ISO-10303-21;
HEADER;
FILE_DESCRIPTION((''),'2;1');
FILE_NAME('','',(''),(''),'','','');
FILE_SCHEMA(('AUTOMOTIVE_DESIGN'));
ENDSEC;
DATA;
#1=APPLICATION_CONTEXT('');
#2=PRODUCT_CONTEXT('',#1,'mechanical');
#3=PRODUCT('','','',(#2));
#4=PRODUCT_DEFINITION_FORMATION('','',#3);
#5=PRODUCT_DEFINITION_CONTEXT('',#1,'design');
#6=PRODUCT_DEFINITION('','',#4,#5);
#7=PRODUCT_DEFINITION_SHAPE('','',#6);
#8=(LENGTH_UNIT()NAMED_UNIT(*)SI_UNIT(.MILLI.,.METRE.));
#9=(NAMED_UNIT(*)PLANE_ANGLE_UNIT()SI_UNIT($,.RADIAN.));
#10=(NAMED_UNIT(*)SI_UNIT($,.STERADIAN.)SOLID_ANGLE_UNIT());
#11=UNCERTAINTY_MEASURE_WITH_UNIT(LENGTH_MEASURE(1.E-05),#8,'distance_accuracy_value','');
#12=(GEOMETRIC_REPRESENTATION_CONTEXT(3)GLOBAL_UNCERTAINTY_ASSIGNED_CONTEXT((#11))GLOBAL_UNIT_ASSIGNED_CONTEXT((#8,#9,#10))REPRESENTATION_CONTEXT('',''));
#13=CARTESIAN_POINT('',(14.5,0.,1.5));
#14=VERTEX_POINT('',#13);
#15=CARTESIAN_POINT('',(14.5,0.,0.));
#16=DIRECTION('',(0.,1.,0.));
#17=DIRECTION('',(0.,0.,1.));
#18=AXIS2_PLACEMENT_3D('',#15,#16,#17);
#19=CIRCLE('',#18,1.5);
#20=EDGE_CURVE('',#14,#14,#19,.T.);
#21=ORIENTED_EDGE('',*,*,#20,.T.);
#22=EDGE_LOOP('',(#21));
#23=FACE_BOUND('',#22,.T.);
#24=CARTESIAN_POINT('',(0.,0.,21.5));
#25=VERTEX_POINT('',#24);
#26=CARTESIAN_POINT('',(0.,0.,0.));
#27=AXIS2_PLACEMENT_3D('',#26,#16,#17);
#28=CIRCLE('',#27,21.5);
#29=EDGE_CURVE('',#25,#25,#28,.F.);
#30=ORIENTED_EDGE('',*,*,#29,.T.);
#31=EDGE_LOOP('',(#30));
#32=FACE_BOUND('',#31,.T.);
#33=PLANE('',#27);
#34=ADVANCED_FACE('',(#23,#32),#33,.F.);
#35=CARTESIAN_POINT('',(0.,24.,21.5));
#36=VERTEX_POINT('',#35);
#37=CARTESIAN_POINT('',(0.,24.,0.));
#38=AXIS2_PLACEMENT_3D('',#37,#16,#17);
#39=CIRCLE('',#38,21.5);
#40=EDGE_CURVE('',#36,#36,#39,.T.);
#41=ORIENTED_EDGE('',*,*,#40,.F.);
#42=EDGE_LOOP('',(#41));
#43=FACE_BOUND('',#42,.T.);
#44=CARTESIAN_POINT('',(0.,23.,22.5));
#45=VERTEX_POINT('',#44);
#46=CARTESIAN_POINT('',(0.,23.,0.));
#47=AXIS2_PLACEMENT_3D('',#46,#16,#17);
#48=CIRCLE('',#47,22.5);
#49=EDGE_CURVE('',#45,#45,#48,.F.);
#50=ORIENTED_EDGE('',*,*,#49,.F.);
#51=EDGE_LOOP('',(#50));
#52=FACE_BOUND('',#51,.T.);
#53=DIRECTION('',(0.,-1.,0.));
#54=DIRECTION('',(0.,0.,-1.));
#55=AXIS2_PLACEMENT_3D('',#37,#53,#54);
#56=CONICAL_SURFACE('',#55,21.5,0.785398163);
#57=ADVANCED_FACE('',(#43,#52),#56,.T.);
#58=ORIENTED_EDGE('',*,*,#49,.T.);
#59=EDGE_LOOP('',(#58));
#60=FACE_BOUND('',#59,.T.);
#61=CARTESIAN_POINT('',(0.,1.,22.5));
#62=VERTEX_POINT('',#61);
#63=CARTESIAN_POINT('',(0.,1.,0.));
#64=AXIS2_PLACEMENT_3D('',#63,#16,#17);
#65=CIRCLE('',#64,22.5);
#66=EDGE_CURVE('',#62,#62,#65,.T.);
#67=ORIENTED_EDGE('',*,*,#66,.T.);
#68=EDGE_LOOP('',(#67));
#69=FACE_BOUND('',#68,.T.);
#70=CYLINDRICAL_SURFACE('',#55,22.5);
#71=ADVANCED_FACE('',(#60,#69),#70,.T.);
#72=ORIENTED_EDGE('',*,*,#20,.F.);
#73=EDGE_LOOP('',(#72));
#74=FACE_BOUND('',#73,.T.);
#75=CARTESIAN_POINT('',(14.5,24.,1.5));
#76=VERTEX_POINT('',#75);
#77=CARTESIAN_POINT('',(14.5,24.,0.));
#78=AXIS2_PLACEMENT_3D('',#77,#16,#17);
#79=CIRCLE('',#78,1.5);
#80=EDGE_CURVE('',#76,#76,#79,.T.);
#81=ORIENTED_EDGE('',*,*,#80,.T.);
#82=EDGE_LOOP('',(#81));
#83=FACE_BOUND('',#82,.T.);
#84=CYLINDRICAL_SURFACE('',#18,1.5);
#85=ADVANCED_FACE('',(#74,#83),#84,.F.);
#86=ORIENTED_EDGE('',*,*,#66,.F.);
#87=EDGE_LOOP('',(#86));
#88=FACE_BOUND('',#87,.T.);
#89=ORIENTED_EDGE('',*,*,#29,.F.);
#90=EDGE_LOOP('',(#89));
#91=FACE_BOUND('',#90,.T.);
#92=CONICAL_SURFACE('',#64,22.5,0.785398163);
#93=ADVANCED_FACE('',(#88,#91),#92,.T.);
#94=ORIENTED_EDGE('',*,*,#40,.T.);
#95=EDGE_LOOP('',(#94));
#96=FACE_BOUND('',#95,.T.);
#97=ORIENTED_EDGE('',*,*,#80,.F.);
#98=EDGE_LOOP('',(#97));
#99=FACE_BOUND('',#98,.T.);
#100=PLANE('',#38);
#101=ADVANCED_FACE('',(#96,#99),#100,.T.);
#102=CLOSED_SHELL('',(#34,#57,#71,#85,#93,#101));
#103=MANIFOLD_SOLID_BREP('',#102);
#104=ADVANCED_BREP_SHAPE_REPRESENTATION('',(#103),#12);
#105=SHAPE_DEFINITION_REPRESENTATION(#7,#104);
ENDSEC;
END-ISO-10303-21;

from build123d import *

# Parameters (mm, degrees)
SKETCH1_R           = 22.5
BOSS_EXTRUDE1_DEPTH = 24
CHAMFER1_SIZE       = 1
SKETCH2_R           = 1.5
CUT_EXTRUDE1_DEPTH  = 40.855990767


with BuildPart() as part:
    # Sketch1 → Boss-Extrude1 (new body)
    with BuildSketch(Plane(origin=(0, 0, 0), x_dir=(1, 0, 0), z_dir=(0, 1, 0))):
        with Locations(Location((0, 0, 0), (0, 0, 270))):
            Circle(SKETCH1_R)
    extrude(amount=BOSS_EXTRUDE1_DEPTH)

    # Chamfer1
    chamfer1_edges = [part.edges().sort_by_distance(p)[0] for p in [
        (0, 0, -22.5),
        (0, 24, -22.5),
    ]]
    chamfer(chamfer1_edges, length=CHAMFER1_SIZE)

    # Sketch2 → Cut-Extrude1 (cut, through all)
    with BuildSketch(Plane(origin=(0, 24, 0), x_dir=(1, 0, 0), z_dir=(0, 1, 0))):
        with Locations(Location((14.5, 0, 0), (0, 0, 270))):
            Circle(SKETCH2_R)
    extrude(amount=-CUT_EXTRUDE1_DEPTH, mode=Mode.SUBTRACT)


solid = part.part
